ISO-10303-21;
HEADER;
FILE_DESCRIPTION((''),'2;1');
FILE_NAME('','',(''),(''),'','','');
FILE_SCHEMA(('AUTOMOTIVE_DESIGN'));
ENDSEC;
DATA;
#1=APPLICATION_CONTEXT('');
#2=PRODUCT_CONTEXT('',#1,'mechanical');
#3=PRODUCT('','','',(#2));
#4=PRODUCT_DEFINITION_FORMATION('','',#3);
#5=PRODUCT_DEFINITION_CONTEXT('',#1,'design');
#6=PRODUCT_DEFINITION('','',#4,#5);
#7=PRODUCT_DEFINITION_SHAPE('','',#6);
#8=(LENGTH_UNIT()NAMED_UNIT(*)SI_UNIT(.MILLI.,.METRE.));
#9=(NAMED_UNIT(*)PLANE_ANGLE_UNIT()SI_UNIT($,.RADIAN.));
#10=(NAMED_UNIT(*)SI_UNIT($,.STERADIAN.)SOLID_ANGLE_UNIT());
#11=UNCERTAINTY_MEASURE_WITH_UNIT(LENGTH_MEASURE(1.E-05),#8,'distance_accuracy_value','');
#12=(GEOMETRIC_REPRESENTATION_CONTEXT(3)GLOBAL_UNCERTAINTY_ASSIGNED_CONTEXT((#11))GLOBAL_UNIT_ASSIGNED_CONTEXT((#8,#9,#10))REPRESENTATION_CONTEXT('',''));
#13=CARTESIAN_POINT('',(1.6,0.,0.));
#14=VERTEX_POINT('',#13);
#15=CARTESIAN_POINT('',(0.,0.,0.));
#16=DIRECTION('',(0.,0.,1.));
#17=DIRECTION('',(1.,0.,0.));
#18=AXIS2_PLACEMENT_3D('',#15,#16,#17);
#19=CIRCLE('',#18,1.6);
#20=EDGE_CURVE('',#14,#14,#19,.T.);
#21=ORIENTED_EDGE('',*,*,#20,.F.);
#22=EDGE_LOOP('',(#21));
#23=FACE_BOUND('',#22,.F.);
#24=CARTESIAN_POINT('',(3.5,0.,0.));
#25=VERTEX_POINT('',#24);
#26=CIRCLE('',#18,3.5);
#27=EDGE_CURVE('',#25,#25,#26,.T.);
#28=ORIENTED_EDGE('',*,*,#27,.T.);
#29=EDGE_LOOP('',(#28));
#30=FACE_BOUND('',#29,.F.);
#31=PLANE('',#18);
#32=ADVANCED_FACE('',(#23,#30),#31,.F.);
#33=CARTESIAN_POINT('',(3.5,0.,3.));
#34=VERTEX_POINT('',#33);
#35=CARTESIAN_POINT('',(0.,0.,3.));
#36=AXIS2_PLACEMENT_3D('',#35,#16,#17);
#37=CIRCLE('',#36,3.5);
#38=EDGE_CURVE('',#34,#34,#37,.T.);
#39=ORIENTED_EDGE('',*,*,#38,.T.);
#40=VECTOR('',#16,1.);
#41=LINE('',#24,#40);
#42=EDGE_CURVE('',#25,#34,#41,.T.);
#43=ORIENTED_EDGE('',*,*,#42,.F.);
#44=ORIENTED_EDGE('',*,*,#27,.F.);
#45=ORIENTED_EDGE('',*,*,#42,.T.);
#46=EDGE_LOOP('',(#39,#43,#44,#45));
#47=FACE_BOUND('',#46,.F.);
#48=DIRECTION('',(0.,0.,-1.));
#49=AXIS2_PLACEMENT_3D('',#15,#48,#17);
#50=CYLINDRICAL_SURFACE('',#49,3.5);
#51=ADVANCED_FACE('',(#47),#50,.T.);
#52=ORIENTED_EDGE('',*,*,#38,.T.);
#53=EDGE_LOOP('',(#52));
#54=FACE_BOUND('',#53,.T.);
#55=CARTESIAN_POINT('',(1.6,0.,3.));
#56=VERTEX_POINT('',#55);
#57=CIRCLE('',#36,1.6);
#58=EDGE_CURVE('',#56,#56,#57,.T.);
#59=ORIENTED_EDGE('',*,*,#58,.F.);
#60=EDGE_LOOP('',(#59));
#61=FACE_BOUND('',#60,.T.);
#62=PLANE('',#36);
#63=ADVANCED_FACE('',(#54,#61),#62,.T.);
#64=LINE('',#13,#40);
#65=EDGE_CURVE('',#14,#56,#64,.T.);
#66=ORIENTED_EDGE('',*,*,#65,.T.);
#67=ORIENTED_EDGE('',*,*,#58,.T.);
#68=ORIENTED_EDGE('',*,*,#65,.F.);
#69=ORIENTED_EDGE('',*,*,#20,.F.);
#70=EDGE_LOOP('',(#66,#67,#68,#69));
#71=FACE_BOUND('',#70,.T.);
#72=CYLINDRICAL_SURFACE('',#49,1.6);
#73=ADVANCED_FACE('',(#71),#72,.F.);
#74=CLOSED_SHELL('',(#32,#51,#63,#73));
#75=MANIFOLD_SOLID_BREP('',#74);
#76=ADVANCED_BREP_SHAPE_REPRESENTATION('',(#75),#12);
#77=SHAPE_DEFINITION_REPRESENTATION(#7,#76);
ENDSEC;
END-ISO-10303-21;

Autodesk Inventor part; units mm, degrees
ref_plane "YZ Plane" through (0, 0, 0) normal (1, 0, 0) x (0, 1, 0)
ref_plane "XZ Plane" through (0, 0, 0) normal (0, 1, 0) x (-1, 0, 0)
ref_plane "XY Plane" through (0, 0, 0) normal (0, 0, 1) x (1, 0, 0)
sketch "Sketch1" plane through (0, 0, 0) normal (0, 0, 1) x (1, 0, 0)
  circle A0 centre (0, 0) radius 3.5
  circle A1 centre (0, 0) radius 1.6
  dimension "d0" = 7
  dimension "d1" = 3.2
extrude "Extrusion1" add sketch "Sketch1" along normal blind 3
properties part number "PcbSpacer3x3mm"
